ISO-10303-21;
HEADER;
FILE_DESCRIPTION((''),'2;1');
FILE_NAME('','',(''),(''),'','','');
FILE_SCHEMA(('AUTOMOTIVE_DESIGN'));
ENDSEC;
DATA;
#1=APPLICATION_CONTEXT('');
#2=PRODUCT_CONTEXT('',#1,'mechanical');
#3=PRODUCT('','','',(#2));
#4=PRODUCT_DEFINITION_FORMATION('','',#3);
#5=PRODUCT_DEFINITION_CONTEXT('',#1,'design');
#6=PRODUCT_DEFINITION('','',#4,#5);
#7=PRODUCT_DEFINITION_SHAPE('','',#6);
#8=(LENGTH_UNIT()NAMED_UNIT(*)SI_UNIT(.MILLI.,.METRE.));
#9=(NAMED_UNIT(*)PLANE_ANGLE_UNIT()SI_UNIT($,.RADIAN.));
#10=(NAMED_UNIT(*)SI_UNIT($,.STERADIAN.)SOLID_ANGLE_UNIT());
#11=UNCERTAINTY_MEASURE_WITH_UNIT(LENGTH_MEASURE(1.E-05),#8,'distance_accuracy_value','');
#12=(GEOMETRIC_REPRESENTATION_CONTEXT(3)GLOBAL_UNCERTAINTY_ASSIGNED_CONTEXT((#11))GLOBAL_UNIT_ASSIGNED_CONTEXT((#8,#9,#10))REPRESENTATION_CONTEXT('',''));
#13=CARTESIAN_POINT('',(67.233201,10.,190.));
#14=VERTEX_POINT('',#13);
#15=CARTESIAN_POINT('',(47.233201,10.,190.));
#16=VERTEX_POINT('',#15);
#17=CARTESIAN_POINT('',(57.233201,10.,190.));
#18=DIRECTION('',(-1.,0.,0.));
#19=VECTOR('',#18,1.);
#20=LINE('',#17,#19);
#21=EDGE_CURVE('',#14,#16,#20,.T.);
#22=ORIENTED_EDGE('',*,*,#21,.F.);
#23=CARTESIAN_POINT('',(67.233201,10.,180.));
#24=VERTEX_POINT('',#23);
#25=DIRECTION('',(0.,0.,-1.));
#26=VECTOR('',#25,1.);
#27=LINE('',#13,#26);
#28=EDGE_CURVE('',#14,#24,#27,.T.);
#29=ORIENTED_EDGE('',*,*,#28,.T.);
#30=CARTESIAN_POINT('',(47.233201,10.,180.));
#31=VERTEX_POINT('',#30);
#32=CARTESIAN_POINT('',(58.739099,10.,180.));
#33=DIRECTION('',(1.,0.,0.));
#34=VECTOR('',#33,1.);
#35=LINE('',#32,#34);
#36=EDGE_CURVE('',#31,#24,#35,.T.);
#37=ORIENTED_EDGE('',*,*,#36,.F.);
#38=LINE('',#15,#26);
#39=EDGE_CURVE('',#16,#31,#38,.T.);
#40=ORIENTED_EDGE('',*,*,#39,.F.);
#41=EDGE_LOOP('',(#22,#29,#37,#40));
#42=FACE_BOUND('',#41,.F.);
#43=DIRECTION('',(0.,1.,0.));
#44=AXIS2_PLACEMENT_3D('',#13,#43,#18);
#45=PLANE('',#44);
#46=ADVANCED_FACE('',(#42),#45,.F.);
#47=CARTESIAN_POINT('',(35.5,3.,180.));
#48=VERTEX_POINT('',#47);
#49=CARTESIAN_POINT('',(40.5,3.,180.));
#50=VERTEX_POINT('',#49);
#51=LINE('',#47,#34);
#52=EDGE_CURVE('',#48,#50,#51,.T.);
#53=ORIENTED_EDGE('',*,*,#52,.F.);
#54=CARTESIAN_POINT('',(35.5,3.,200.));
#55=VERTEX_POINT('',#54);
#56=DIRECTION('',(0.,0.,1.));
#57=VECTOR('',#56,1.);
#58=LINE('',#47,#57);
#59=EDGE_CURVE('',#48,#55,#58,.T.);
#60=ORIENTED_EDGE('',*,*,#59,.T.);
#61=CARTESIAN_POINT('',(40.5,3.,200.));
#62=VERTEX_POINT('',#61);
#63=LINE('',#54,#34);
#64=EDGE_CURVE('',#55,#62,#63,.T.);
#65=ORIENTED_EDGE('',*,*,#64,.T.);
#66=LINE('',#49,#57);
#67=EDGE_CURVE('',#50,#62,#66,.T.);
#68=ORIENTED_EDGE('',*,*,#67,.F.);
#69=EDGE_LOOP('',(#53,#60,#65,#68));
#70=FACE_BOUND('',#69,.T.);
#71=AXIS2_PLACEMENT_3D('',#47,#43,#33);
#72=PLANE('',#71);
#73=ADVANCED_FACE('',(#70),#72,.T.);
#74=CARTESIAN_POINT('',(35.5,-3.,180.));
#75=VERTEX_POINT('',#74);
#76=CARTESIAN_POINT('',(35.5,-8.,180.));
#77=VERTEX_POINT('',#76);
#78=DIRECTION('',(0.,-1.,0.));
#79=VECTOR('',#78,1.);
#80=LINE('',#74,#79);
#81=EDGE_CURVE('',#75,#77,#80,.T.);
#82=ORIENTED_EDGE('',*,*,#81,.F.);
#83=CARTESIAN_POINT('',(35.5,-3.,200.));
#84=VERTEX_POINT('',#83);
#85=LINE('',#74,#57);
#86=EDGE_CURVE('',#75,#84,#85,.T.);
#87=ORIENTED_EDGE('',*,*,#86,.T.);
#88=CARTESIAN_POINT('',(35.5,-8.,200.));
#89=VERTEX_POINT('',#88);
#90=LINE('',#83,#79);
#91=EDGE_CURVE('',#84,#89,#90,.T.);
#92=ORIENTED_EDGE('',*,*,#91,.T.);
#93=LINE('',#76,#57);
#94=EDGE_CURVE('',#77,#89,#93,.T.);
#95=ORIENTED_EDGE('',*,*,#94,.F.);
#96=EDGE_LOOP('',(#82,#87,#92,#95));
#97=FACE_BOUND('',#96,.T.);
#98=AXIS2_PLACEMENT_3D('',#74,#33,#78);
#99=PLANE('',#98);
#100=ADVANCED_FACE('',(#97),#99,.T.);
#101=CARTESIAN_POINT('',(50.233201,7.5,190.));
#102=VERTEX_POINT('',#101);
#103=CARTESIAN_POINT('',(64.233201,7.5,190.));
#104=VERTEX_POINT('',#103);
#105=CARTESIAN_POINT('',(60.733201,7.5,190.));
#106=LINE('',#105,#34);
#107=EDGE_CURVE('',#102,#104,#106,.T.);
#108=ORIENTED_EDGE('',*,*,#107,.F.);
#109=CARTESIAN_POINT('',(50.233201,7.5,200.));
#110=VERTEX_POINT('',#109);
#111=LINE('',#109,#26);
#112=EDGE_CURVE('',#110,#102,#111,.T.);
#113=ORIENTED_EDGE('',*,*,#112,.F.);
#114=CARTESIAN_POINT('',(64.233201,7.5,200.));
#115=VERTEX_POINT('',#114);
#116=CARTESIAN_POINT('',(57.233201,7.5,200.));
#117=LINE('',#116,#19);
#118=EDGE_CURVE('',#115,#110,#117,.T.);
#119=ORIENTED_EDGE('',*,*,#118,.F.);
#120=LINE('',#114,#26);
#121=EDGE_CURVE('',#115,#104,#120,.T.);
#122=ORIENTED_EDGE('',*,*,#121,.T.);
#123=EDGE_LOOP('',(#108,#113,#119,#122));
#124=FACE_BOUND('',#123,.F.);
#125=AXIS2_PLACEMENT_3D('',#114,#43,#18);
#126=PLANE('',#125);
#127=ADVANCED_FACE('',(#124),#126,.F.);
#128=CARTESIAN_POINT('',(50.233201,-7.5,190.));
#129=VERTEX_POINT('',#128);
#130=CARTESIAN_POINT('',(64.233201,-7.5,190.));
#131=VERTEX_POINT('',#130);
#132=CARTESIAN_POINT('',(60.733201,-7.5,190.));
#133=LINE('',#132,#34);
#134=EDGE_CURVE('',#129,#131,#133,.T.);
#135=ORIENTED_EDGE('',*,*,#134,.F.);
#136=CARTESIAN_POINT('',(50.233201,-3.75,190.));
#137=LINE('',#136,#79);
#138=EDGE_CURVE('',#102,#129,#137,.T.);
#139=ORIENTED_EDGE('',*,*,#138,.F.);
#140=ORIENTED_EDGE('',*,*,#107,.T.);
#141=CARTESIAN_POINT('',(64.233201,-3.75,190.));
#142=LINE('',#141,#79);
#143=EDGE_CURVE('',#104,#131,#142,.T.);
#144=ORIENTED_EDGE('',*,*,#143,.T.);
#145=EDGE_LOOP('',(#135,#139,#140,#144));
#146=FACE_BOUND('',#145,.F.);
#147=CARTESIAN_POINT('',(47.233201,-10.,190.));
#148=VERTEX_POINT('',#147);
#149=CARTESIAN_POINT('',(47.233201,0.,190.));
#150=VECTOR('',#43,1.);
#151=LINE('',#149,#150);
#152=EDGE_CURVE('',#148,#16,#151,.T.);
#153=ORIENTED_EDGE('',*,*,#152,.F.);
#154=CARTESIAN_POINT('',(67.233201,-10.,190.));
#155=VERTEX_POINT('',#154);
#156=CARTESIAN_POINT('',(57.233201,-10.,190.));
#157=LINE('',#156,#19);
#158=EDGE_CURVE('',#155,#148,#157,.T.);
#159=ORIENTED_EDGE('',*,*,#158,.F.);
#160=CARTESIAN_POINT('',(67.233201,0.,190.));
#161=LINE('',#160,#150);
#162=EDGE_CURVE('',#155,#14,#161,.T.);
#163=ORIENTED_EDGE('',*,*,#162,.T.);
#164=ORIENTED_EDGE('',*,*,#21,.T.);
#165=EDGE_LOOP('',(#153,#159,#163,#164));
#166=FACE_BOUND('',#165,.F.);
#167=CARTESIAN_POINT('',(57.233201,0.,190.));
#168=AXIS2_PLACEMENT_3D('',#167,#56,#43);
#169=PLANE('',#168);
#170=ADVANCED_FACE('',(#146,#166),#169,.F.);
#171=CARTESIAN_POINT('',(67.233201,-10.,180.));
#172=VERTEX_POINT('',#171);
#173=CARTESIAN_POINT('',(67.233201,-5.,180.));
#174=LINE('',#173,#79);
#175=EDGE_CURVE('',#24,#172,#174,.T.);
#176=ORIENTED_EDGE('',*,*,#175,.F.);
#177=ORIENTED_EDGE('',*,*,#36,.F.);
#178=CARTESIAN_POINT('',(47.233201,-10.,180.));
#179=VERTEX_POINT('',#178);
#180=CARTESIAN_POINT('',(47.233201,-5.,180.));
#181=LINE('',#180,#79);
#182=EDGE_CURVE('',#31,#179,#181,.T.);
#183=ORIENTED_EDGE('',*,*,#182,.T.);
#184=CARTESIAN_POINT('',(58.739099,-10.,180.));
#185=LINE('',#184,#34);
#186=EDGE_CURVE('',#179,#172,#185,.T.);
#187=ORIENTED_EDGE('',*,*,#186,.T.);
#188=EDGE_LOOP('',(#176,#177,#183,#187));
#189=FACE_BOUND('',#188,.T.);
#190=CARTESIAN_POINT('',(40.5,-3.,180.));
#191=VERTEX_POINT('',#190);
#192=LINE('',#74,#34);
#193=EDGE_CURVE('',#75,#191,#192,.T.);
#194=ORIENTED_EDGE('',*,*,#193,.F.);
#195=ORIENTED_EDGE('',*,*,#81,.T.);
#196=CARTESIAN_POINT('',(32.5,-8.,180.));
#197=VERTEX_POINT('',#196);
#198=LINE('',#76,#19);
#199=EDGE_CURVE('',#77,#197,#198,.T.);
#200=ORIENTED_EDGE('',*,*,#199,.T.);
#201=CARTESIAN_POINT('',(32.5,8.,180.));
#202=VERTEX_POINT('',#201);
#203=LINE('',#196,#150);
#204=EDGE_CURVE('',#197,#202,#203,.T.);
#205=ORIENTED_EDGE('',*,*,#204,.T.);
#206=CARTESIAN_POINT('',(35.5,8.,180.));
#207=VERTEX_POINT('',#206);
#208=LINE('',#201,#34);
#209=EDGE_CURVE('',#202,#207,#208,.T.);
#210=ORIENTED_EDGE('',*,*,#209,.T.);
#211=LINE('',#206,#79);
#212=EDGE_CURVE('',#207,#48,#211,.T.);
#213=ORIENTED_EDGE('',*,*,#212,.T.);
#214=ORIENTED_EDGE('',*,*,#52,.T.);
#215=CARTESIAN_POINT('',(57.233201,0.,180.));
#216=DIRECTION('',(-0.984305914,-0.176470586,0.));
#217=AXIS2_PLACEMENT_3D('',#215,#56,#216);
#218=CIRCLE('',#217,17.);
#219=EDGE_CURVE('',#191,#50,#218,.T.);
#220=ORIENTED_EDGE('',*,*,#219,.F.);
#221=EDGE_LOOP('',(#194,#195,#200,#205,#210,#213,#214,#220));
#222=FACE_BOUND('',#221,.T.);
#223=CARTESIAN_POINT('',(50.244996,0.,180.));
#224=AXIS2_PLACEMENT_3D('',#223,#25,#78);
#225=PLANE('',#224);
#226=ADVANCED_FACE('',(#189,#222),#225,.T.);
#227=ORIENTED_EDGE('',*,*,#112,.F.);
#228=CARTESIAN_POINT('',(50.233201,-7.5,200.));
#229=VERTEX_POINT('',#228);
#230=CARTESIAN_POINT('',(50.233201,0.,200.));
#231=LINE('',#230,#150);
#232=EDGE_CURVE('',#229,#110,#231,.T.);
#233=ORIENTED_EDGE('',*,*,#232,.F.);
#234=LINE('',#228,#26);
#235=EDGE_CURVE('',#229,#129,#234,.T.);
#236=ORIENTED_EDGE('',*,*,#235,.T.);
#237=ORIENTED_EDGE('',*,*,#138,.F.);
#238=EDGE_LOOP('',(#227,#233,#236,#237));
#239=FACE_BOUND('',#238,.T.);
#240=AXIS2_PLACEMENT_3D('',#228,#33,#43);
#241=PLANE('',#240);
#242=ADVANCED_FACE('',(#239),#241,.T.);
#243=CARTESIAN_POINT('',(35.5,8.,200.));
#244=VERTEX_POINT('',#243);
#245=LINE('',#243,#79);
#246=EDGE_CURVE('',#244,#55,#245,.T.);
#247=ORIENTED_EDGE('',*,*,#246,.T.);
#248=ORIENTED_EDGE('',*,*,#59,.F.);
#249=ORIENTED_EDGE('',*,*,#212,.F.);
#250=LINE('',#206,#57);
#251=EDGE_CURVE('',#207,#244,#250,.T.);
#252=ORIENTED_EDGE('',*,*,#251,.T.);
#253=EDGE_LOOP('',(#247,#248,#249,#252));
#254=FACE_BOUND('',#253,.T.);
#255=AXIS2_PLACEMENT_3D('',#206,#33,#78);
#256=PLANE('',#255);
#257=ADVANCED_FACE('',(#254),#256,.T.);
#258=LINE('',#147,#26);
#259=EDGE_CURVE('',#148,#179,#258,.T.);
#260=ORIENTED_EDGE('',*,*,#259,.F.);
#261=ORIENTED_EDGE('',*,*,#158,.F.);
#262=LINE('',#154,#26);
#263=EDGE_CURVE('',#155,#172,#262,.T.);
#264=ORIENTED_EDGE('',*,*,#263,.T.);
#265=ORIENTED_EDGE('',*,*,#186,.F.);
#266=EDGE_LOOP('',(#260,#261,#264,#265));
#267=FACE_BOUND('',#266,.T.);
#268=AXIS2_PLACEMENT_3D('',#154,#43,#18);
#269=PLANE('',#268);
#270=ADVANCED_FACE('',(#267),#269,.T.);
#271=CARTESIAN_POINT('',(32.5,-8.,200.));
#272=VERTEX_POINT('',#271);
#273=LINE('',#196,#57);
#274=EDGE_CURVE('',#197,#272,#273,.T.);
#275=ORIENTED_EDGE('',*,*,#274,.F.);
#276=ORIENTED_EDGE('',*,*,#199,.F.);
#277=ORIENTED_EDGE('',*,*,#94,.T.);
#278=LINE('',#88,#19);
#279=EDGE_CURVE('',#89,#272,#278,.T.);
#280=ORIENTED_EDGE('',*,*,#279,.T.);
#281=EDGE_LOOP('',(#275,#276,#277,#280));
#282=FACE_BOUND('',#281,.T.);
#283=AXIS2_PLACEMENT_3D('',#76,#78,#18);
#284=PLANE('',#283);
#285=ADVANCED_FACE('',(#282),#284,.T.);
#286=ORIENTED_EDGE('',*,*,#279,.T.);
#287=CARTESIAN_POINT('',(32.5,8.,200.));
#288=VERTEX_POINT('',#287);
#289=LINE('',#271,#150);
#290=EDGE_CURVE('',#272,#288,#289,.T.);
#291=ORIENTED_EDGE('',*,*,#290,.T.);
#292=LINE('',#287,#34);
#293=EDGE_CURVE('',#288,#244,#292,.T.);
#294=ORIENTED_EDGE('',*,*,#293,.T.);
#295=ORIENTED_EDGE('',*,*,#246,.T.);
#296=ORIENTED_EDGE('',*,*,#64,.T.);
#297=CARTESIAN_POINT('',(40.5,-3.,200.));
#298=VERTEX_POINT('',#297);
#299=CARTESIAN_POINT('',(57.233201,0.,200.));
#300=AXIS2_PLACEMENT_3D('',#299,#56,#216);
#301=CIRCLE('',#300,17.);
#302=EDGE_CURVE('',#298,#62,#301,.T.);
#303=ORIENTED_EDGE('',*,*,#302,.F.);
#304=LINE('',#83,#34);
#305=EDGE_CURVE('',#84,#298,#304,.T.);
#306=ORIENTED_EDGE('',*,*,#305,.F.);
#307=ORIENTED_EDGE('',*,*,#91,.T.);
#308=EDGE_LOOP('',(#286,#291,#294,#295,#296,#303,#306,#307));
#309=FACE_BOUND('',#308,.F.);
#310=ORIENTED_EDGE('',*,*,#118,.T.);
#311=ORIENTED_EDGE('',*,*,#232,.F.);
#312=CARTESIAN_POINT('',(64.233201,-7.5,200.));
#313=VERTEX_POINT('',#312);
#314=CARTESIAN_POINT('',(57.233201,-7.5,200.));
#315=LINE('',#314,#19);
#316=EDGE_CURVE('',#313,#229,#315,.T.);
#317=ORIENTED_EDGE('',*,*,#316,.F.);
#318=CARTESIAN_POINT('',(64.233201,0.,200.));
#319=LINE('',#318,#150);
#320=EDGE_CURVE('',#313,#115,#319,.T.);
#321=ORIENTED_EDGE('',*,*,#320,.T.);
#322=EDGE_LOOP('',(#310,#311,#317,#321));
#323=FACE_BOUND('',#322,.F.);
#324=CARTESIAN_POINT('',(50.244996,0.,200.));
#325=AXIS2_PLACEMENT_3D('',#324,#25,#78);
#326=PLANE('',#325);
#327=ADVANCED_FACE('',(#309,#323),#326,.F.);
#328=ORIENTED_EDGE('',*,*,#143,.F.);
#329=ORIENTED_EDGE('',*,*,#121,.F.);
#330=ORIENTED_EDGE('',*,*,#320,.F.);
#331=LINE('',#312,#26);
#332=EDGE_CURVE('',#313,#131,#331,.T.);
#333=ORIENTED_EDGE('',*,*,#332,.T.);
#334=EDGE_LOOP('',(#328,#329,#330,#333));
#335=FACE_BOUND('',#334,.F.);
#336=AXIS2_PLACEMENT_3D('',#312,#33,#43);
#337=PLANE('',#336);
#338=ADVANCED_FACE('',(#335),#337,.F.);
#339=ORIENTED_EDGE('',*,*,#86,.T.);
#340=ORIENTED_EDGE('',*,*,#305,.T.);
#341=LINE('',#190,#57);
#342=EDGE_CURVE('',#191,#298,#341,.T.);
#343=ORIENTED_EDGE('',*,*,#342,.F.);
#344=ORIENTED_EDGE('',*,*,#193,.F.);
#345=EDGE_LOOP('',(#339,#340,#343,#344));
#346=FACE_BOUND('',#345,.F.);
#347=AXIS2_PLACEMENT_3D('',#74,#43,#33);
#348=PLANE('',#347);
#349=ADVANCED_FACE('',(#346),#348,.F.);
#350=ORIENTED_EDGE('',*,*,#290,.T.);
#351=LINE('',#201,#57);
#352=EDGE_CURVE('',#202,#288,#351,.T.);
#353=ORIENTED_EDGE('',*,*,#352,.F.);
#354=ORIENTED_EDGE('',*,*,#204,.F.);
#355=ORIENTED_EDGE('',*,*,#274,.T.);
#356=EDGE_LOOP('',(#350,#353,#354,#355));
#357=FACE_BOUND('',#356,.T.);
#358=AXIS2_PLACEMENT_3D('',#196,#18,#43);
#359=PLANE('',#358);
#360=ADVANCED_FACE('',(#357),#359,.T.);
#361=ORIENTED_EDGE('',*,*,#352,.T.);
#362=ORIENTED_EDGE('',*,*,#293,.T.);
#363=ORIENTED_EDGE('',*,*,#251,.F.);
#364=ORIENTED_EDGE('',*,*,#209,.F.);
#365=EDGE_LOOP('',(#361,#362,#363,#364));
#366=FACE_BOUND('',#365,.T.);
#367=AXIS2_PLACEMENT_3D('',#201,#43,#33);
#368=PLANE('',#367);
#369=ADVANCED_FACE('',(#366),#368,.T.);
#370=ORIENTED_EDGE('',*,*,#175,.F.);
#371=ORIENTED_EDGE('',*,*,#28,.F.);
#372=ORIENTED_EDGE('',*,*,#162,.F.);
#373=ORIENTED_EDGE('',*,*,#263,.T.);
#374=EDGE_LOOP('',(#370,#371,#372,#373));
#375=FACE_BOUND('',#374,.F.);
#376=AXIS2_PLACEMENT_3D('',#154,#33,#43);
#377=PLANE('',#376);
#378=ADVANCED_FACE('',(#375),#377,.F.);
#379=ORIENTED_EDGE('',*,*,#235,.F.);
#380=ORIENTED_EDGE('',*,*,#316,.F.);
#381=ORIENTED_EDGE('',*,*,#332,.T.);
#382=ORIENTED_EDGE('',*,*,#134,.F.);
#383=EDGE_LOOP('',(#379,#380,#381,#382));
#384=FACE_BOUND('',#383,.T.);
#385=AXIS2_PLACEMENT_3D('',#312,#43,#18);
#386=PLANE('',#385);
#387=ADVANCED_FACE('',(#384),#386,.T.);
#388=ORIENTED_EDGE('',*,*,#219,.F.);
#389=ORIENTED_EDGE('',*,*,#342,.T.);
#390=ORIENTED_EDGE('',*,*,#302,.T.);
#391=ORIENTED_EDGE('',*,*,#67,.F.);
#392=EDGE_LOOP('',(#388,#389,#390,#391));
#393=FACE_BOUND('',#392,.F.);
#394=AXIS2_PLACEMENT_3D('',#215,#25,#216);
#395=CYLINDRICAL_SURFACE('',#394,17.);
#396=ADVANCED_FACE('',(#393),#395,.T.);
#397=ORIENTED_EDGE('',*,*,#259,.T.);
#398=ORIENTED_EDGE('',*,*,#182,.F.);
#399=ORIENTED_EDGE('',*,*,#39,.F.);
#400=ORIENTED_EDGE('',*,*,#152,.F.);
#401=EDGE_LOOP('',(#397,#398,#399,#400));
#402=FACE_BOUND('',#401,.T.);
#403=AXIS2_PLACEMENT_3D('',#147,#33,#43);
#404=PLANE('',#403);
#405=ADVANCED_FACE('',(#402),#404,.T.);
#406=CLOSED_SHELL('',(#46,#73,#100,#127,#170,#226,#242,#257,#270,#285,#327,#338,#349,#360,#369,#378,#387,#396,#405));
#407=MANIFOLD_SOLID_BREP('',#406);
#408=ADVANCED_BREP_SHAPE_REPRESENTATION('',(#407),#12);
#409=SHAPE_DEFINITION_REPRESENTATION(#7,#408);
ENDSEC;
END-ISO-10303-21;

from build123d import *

# Parameters (mm, degrees)
PAD007_DEPTH            = 20
SKETCH018_W             = 15
SKETCH018_H             = 14
POCKET008_DEPTH         = 20.001
SKETCH019_W             = 20
SKETCH019_H             = 20
POCKET009_DEPTH         = 10.001
BODY006_PLACEMENT_ANGLE = 90


with BuildPart() as part:
    # Sketch017 → Pad007 (new body)
    with BuildSketch(Plane.XY):
        with BuildLine():
            Line((-3, -3), (-8, -3))
            Line((-8, -3), (-8, 0))
            Line((-8, 0), (8, 0))
            Line((8, 0), (8, -3))
            Line((8, -3), (3, -3))
            Line((3, -3), (3, -8))
            ThreePointArc((-3, -8), (0, -41.733201), (3, -8))
            Line((-3, -3), (-3, -8))
        make_face()
    extrude(amount=PAD007_DEPTH)

    # Sketch018 (on Face10 of Pad007) → Pocket008 (cut, through all)
    with BuildSketch(Plane.XY.offset(20)):
        with Locations((0, -24.733201)):
            Rectangle(SKETCH018_W, SKETCH018_H)
    extrude(amount=-POCKET008_DEPTH, mode=Mode.SUBTRACT)

    # Sketch019 (on Face5 of Pocket008) → Pocket009 (cut, through all)
    with BuildSketch(Plane.XY.offset(10)):
        with Locations((0, -24.733201)):
            Rectangle(SKETCH019_W, SKETCH019_H)
    extrude(amount=-POCKET009_DEPTH, mode=Mode.SUBTRACT)


with BuildPart() as part_1:
    # Body006 placement: moved
    add(part.part.moved(Location((32.5, 0, 180))).rotate(Axis((32.5, 0, 180), (0, 0, 1)), BODY006_PLACEMENT_ANGLE))


solid = part_1.part
